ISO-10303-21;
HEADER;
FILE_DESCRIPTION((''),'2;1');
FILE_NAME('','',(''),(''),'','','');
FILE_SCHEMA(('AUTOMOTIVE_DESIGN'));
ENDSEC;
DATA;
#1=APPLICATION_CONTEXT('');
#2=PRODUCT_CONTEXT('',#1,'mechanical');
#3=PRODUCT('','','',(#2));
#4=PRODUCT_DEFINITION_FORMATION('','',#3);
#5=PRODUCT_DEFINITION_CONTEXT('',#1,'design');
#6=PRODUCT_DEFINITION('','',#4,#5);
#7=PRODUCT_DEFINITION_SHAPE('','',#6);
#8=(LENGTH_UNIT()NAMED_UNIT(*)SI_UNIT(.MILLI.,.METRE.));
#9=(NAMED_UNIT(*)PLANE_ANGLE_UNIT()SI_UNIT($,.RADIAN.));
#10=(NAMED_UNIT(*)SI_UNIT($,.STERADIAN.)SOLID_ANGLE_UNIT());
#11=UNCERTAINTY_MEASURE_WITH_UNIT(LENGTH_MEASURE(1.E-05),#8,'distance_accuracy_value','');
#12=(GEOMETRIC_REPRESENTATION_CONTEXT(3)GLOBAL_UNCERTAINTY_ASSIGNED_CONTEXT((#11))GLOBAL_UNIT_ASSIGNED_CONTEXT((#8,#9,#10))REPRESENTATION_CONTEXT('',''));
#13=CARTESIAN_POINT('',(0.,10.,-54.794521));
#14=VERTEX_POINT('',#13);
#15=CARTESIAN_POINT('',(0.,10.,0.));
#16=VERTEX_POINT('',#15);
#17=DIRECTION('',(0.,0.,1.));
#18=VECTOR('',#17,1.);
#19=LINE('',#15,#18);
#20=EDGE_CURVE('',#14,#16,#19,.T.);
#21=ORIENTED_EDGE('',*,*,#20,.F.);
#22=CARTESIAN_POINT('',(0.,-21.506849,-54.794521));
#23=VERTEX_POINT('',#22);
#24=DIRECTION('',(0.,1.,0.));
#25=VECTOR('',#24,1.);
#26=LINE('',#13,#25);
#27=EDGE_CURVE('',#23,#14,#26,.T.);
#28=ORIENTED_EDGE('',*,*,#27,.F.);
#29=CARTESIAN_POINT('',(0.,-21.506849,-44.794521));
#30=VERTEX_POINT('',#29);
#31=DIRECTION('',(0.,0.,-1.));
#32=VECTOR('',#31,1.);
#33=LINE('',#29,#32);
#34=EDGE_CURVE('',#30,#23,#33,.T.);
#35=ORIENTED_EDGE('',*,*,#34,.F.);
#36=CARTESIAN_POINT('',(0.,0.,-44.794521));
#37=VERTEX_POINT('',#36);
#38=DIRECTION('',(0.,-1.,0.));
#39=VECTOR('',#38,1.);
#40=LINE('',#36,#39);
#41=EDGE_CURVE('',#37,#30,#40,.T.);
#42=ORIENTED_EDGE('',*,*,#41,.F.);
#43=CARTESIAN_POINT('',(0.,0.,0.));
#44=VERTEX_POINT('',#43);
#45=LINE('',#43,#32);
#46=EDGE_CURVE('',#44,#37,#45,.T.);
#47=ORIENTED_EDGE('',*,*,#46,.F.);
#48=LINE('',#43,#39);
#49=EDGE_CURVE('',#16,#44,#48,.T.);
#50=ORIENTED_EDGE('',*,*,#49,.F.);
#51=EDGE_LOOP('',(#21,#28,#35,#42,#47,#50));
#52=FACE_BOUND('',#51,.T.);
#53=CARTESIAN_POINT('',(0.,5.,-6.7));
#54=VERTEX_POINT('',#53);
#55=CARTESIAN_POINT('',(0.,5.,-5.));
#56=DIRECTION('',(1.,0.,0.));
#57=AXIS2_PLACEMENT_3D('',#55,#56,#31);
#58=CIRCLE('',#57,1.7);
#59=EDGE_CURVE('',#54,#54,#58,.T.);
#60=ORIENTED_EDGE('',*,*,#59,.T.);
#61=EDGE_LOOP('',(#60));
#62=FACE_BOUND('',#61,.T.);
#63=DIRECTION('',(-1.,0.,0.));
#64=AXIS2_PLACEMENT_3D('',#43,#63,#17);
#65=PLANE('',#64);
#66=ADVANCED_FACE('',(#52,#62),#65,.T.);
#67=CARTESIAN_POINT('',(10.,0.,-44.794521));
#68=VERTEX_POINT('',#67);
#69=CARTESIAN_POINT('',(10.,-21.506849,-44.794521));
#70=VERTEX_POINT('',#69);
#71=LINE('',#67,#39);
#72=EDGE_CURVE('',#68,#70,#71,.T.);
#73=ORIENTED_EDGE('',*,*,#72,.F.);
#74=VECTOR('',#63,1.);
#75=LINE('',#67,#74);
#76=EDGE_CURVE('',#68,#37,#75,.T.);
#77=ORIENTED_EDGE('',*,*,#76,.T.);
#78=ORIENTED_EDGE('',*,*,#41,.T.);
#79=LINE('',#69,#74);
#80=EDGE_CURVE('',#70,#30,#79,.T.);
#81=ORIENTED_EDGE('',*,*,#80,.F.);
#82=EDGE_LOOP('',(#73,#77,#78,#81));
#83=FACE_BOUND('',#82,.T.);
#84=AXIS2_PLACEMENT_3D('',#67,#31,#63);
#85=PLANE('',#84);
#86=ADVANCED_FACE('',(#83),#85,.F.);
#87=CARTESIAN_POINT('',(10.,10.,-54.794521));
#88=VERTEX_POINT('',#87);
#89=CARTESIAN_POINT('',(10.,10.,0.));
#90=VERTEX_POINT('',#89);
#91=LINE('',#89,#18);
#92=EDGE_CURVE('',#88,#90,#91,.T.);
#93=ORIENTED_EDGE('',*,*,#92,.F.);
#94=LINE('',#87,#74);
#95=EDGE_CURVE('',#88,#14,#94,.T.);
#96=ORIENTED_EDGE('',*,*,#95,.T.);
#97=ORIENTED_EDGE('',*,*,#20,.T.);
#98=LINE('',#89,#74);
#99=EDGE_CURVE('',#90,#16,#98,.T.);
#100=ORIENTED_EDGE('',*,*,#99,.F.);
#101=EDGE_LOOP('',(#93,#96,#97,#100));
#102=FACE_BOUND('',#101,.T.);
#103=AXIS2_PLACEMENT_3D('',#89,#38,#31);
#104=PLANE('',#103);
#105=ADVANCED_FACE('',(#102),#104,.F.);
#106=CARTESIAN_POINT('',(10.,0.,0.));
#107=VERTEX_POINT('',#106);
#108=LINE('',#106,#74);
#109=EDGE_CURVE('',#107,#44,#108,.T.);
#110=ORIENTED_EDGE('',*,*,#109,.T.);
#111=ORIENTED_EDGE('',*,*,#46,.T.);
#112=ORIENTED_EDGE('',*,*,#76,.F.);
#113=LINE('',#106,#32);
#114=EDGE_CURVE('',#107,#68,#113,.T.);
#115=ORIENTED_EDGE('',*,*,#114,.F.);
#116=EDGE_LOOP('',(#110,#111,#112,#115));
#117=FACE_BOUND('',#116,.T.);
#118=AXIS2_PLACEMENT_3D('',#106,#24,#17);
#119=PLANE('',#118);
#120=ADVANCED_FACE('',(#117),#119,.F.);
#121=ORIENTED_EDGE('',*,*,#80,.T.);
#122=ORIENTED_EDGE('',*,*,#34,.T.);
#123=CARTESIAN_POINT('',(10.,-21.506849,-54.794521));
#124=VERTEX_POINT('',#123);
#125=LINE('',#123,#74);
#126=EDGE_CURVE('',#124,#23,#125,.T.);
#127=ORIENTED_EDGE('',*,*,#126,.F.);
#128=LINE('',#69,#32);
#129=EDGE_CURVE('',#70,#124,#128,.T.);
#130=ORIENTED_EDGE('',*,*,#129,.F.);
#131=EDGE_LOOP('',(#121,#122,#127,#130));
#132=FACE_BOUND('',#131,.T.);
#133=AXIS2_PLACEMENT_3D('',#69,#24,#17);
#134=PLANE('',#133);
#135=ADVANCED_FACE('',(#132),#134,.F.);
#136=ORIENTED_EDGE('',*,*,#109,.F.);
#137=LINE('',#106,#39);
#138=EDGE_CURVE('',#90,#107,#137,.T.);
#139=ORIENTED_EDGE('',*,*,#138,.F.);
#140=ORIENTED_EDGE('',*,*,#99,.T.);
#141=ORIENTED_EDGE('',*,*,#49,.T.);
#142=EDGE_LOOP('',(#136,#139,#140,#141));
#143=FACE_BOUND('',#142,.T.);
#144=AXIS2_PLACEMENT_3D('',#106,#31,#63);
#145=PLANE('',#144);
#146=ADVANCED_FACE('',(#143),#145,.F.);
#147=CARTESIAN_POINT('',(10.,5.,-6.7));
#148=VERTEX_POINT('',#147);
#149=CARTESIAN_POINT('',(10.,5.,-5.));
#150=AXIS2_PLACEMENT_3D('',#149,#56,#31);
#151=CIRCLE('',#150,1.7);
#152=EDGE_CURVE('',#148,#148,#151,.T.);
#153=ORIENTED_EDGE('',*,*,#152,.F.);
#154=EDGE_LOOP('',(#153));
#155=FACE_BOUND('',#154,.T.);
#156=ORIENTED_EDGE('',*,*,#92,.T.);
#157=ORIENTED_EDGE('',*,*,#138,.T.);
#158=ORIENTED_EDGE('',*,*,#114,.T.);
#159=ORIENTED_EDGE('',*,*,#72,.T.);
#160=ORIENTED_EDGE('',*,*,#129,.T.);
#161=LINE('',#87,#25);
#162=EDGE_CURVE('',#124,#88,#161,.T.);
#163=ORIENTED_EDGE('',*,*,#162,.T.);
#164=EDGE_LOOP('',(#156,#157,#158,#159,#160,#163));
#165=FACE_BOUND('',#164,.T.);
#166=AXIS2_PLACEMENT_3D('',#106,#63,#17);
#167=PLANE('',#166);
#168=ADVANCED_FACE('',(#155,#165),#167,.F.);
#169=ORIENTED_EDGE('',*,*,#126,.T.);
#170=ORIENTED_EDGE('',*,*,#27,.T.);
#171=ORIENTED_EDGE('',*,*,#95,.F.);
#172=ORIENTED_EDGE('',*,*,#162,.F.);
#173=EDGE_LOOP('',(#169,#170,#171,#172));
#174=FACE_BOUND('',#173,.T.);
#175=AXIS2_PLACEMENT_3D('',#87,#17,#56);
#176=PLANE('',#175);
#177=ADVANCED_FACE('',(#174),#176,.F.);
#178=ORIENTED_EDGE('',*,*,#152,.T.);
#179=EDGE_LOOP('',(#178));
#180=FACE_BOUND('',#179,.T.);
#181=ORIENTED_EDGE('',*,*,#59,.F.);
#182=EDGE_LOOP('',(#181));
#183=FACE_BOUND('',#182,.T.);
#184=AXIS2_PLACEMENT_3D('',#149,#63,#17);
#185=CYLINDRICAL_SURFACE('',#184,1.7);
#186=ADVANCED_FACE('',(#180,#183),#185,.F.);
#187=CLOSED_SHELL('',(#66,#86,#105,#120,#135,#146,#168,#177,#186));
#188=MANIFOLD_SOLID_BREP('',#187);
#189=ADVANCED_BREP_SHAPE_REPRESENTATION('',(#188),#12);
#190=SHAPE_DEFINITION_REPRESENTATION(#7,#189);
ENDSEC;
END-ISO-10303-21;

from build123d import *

# Parameters (mm, degrees)
SKETCH1_R           = 1.7
BOSS_EXTRUDE1_DEPTH = 10


with BuildPart() as part:
    # Sketch1 → Boss-Extrude1 (new body)
    with BuildSketch(Plane(origin=(0, 0, 0), x_dir=(0, 0, -1), z_dir=(1, 0, 0))):
        Polygon((0, 0), (0, 10), (54.794520548, 10), (54.794520548, -21.506849315), (44.794520548, -21.506849315), (44.794520548, 0), align=None)
        with Locations((5, 5)):
            Circle(SKETCH1_R, mode=Mode.SUBTRACT)
    extrude(amount=BOSS_EXTRUDE1_DEPTH)


solid = part.part
